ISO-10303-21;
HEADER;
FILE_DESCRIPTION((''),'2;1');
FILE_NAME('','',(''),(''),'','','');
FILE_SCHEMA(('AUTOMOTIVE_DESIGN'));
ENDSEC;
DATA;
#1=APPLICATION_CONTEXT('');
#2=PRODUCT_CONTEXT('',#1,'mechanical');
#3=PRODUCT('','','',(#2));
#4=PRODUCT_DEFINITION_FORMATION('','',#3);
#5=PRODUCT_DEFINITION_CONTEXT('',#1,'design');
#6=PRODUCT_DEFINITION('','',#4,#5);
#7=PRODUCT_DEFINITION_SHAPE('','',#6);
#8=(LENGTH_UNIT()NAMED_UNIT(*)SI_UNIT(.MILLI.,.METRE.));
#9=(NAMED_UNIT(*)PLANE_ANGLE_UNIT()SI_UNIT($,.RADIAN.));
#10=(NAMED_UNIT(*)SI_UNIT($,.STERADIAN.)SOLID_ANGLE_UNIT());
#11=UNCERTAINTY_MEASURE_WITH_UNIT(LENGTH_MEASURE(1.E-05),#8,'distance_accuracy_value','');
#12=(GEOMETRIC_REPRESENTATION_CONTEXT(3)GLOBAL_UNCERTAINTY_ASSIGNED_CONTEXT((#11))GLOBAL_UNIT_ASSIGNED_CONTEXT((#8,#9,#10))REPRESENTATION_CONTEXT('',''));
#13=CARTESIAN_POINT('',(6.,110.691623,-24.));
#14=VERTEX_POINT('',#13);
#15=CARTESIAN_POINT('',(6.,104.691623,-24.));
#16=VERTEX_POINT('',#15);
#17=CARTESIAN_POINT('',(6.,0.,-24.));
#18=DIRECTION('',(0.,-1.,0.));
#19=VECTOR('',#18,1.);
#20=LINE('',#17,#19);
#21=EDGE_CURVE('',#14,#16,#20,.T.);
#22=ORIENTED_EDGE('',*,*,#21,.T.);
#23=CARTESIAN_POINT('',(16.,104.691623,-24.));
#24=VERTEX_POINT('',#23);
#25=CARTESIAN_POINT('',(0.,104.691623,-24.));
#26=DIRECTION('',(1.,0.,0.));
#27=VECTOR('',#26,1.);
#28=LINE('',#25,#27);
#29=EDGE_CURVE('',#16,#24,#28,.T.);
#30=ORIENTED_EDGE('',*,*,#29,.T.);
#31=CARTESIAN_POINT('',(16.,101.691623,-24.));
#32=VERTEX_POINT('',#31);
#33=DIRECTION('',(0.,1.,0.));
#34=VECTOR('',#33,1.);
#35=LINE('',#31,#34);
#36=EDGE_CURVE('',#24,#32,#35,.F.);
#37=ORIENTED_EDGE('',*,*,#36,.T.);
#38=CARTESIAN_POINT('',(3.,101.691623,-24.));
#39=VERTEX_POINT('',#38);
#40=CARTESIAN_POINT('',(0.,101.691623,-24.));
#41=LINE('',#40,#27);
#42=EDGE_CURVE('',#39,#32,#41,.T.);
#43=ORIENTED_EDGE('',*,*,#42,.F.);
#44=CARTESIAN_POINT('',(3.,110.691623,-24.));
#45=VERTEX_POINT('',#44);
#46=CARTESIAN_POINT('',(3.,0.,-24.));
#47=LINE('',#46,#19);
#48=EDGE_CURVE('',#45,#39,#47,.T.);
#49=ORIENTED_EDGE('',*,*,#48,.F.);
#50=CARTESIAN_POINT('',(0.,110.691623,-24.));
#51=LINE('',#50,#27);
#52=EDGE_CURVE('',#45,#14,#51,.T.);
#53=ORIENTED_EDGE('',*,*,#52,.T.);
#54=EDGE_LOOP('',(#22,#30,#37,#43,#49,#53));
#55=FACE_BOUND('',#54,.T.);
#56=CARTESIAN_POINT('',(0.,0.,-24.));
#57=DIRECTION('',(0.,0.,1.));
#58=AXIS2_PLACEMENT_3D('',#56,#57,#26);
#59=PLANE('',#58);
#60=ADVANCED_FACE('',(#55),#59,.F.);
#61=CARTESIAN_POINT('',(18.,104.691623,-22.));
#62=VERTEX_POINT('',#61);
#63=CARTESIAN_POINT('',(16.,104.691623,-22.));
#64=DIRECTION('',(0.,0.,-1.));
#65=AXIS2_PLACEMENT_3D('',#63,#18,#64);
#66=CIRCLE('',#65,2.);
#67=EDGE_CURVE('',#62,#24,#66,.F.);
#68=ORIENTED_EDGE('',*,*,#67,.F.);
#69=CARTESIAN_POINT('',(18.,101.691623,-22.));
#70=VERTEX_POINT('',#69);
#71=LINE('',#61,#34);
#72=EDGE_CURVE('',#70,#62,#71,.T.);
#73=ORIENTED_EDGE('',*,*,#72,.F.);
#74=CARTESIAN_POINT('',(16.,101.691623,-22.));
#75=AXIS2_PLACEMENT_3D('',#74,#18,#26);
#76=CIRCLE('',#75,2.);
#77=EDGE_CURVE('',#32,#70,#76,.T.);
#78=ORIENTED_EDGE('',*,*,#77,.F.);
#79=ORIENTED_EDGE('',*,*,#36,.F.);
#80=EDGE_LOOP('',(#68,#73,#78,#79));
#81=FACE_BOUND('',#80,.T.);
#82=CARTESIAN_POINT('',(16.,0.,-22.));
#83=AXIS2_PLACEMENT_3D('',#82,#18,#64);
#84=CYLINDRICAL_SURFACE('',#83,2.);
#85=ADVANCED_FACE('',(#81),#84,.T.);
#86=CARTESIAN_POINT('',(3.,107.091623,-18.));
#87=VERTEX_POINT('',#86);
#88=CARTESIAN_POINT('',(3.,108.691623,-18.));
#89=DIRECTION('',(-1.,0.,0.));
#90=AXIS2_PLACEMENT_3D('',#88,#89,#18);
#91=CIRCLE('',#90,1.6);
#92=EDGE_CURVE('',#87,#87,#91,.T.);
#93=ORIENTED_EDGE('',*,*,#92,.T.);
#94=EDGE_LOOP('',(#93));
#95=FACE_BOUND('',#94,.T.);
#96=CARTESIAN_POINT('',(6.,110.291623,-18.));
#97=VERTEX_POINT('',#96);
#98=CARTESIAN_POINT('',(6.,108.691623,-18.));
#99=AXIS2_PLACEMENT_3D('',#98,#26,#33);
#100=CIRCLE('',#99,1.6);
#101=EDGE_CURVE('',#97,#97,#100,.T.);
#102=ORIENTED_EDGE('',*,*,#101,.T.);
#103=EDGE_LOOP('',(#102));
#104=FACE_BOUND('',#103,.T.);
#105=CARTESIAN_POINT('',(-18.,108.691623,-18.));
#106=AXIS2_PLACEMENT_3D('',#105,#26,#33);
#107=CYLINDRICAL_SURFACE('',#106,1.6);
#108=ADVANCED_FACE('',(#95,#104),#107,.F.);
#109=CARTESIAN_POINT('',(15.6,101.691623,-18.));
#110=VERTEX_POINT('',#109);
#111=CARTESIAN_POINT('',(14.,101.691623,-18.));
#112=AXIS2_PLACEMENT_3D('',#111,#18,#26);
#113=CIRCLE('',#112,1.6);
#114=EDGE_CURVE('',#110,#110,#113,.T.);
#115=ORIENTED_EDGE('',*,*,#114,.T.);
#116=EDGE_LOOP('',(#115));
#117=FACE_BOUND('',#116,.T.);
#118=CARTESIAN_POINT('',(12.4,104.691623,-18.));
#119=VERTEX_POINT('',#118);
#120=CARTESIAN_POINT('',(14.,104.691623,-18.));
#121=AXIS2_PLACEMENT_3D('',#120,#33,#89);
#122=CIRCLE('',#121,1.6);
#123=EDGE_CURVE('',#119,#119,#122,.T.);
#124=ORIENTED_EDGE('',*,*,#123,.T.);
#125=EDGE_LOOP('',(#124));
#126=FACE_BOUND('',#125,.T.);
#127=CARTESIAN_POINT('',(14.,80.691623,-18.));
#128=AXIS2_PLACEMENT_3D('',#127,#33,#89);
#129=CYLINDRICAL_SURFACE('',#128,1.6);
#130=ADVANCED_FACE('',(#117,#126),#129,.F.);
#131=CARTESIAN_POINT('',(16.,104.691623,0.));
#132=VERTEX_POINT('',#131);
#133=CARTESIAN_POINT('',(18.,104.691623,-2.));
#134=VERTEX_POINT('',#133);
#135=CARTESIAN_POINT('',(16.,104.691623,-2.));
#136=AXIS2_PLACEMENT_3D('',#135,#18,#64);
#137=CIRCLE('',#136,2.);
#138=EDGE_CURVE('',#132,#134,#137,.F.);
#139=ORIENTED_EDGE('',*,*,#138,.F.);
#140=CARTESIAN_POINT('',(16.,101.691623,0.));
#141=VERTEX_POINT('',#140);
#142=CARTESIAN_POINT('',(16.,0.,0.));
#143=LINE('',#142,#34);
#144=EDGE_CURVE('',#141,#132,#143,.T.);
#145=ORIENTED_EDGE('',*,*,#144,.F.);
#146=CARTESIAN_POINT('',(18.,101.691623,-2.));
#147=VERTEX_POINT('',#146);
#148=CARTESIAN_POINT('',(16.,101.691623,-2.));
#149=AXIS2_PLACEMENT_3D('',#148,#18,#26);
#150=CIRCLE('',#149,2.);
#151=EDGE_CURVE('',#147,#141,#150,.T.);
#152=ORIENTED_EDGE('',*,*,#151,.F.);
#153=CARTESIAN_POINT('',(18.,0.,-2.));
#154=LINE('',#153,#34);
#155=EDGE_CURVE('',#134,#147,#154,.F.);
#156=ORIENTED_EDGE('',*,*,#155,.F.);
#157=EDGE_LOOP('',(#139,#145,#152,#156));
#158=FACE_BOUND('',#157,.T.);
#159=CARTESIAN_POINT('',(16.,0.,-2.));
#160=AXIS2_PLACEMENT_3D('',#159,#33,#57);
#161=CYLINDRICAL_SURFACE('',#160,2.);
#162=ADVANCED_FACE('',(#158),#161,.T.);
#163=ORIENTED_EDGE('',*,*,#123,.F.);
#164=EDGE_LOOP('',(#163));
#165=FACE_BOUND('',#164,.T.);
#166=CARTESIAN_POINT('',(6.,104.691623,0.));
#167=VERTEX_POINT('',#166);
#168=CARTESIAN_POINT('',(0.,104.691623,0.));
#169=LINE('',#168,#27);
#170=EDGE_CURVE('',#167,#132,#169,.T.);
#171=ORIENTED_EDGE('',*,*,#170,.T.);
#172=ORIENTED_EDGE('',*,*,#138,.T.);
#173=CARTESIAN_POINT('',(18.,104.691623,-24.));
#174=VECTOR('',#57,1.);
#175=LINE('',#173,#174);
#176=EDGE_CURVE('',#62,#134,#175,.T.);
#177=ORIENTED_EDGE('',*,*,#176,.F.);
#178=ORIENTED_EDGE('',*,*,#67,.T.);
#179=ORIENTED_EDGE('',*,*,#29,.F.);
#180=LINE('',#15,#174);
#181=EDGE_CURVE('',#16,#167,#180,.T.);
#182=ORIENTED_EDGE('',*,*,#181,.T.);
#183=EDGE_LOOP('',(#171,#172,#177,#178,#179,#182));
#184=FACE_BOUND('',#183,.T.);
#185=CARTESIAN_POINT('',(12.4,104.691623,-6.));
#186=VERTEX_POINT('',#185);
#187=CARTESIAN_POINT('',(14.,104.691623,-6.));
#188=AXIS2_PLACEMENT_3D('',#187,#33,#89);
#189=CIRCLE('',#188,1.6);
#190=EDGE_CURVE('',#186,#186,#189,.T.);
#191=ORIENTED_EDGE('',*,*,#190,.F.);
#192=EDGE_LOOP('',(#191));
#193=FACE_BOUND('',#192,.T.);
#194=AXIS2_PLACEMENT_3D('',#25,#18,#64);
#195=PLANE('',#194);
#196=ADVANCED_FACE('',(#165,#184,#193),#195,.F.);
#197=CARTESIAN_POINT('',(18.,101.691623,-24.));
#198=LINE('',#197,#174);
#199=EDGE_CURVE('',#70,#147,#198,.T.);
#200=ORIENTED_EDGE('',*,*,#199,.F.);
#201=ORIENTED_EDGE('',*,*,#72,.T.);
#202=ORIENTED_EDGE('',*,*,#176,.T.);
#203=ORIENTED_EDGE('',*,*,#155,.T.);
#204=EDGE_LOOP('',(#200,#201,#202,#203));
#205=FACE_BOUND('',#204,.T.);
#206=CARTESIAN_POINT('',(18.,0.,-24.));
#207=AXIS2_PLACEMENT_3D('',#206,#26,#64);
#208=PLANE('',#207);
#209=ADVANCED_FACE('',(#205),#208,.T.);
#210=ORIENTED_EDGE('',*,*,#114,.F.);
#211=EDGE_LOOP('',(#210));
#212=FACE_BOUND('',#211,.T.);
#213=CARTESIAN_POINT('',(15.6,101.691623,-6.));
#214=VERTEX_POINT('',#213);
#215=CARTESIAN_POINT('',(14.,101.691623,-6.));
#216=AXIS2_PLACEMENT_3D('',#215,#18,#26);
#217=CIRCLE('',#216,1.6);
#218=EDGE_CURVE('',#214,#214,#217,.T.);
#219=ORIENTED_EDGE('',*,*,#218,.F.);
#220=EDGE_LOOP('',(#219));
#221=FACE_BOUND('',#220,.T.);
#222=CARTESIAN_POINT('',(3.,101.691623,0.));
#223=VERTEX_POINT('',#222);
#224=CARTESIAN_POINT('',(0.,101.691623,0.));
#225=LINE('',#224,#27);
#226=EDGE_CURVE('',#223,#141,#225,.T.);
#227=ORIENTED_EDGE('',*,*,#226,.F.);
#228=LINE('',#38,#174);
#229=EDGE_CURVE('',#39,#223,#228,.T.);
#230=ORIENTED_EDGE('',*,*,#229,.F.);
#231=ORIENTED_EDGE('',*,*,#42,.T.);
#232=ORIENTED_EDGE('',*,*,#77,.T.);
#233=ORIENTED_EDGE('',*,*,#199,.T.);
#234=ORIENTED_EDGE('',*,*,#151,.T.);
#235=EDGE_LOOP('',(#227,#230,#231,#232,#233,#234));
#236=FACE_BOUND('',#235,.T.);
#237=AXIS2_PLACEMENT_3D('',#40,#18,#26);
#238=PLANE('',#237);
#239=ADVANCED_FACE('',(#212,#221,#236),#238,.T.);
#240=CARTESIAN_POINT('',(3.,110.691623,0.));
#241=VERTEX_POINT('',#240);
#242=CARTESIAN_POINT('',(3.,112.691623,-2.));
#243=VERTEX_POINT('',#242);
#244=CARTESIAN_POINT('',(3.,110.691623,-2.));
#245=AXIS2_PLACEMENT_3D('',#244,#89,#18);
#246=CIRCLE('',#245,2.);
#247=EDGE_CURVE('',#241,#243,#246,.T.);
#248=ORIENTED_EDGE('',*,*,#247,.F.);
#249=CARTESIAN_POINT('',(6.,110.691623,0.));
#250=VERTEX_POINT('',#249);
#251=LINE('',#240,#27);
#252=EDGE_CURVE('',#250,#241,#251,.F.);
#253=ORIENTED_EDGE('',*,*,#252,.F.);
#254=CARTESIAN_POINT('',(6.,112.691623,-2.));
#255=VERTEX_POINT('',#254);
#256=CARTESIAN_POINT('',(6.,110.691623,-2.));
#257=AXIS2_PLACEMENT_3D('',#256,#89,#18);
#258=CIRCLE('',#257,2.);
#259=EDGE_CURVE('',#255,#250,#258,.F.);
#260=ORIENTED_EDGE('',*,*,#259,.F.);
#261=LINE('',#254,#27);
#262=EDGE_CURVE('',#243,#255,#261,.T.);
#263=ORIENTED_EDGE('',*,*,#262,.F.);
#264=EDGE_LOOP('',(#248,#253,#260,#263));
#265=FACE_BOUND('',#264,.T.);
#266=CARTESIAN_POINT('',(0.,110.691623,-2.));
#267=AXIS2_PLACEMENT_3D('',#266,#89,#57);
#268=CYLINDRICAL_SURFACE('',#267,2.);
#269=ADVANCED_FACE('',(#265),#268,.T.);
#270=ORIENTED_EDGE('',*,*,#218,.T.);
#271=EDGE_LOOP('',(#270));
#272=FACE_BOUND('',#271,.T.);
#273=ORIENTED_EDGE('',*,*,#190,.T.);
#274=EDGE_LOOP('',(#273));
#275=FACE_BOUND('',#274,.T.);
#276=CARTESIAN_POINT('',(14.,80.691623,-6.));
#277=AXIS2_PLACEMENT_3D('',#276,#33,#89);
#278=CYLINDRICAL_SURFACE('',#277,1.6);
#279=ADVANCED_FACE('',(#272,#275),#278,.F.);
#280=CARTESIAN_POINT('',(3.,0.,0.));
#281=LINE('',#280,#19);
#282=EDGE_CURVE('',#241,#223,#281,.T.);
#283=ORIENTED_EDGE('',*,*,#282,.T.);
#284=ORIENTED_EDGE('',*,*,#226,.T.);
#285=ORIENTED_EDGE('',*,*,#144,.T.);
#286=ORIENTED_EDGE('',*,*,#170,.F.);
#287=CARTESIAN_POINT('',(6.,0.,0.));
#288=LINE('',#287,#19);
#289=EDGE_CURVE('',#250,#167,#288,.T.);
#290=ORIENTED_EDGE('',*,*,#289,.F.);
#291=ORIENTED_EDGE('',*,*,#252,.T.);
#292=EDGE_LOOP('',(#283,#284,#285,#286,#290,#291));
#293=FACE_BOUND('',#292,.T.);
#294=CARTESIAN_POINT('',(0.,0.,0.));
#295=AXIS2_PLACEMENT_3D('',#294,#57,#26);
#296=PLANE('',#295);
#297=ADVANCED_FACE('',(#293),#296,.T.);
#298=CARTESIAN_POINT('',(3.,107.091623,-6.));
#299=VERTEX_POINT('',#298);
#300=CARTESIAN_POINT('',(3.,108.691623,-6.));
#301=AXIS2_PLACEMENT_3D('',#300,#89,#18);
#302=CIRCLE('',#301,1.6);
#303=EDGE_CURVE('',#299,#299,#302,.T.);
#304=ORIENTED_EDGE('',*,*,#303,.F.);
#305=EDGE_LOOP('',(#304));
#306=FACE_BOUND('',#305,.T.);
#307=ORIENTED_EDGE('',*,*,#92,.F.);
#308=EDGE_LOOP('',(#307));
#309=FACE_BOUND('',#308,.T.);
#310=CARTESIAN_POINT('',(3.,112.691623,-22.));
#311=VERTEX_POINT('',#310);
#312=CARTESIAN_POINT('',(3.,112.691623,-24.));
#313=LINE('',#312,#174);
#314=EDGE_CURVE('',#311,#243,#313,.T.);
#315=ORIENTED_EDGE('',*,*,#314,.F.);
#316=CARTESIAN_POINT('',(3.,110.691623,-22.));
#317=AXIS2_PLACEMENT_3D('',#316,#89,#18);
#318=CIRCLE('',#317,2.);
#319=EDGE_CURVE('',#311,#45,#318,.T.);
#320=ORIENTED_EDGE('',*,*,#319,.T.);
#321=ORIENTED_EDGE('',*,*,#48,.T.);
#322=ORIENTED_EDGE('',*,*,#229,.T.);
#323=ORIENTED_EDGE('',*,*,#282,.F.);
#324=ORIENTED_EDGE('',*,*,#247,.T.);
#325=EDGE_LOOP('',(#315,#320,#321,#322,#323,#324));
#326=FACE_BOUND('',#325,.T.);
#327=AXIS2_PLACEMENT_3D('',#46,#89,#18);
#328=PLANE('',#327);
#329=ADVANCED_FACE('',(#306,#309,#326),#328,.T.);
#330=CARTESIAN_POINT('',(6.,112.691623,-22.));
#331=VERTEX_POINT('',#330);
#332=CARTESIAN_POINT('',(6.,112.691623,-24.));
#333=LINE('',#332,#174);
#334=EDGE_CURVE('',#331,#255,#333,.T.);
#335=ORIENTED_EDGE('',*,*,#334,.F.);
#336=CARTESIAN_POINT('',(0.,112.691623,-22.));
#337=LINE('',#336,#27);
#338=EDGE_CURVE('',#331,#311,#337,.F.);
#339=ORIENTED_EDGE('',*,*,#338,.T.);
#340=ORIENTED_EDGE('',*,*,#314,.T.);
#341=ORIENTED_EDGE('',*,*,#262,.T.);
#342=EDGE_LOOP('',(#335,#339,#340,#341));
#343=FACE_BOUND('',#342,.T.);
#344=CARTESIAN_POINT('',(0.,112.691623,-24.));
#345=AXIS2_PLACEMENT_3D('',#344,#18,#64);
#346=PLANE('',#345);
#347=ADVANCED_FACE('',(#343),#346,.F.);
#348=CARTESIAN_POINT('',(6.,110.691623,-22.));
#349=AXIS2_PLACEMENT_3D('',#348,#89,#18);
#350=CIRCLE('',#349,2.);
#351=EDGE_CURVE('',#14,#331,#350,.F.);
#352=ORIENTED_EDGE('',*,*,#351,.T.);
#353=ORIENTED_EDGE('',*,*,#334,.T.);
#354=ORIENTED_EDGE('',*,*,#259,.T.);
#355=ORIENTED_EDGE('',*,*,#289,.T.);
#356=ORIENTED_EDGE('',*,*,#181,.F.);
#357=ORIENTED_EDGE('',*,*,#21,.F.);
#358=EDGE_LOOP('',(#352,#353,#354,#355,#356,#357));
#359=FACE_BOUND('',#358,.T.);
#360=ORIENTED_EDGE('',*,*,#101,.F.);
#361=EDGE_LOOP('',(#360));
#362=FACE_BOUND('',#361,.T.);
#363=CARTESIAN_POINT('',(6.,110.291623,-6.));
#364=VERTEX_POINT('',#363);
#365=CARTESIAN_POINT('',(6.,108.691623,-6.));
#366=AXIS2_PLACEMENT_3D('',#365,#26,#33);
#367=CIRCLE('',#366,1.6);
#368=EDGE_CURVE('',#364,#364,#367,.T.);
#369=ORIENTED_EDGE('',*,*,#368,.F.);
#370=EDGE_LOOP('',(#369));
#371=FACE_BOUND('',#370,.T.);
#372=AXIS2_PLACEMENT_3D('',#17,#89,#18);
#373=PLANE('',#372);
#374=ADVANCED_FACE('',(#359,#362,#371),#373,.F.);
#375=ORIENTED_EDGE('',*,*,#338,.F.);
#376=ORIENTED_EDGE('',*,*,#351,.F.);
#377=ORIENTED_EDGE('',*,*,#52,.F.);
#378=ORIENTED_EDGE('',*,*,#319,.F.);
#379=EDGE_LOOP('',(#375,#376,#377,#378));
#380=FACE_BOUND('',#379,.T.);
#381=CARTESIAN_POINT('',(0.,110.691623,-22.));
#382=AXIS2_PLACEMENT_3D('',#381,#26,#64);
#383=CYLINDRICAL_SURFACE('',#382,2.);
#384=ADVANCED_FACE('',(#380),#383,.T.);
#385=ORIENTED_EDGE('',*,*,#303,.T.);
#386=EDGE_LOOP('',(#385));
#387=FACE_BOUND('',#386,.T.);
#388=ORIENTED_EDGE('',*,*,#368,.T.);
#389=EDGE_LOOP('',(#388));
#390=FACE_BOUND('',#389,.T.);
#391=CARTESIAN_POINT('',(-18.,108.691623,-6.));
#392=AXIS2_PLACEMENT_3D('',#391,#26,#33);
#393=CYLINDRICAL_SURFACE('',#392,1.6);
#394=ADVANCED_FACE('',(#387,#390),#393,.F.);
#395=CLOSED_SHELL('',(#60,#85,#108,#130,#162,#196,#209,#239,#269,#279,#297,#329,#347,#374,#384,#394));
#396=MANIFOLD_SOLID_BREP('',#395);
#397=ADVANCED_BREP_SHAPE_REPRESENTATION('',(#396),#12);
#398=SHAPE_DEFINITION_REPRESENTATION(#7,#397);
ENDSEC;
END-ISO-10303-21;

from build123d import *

# Parameters (mm, degrees)
EXTRUDE_1_DEPTH     = 24
SKETCH_2_R          = 1.6
CUT_EXTRUDE_1_DEPTH = 24
SKETCH_3_R          = 1.6
CUT_EXTRUDE_2_DEPTH = 24
FILLET_1_R          = 2


with BuildPart() as part:
    # 草图1 → 凸台-拉伸1 (new body)
    with BuildSketch(Plane.XY):
        Polygon((6, 112.691622655), (3, 112.691622655), (3, 101.691622655), (18, 101.691622655), (18, 104.691622655), (6, 104.691622655), align=None)
    extrude(amount=-EXTRUDE_1_DEPTH)

    # 草图2 → 切除-拉伸1 (cut)
    with BuildSketch(Plane(origin=(6, 0, 0), x_dir=(0, 0, -1), z_dir=(1, 0, 0))):
        with Locations(Location((6, 108.691622655, 0), (0, 0, 90))):
            Circle(SKETCH_2_R)
        with Locations(Location((18, 108.691622655, 0), (0, 0, 90))):
            Circle(SKETCH_2_R)
    extrude(amount=-CUT_EXTRUDE_1_DEPTH, mode=Mode.SUBTRACT)

    # 草图3 → 切除-拉伸2 (cut)
    with BuildSketch(Plane(origin=(0, 104.691622655, 0), x_dir=(1, 0, 0), z_dir=(0, 1, 0))):
        with Locations(Location((14, 6, 0), (0, 0, 180))):
            Circle(SKETCH_3_R)
        with Locations(Location((14, 18, 0), (0, 0, 180))):
            Circle(SKETCH_3_R)
    extrude(amount=-CUT_EXTRUDE_2_DEPTH, mode=Mode.SUBTRACT)

    # 圆角1
    fillet_1_edges = [part.edges().sort_by_distance(p)[0] for p in [
        (4.5, 112.691622655, -24),
        (4.5, 112.691622655, 0),
        (18, 103.191622655, -24),
        (18, 103.191622655, 0),
    ]]
    fillet(fillet_1_edges, radius=FILLET_1_R)


solid = part.part
